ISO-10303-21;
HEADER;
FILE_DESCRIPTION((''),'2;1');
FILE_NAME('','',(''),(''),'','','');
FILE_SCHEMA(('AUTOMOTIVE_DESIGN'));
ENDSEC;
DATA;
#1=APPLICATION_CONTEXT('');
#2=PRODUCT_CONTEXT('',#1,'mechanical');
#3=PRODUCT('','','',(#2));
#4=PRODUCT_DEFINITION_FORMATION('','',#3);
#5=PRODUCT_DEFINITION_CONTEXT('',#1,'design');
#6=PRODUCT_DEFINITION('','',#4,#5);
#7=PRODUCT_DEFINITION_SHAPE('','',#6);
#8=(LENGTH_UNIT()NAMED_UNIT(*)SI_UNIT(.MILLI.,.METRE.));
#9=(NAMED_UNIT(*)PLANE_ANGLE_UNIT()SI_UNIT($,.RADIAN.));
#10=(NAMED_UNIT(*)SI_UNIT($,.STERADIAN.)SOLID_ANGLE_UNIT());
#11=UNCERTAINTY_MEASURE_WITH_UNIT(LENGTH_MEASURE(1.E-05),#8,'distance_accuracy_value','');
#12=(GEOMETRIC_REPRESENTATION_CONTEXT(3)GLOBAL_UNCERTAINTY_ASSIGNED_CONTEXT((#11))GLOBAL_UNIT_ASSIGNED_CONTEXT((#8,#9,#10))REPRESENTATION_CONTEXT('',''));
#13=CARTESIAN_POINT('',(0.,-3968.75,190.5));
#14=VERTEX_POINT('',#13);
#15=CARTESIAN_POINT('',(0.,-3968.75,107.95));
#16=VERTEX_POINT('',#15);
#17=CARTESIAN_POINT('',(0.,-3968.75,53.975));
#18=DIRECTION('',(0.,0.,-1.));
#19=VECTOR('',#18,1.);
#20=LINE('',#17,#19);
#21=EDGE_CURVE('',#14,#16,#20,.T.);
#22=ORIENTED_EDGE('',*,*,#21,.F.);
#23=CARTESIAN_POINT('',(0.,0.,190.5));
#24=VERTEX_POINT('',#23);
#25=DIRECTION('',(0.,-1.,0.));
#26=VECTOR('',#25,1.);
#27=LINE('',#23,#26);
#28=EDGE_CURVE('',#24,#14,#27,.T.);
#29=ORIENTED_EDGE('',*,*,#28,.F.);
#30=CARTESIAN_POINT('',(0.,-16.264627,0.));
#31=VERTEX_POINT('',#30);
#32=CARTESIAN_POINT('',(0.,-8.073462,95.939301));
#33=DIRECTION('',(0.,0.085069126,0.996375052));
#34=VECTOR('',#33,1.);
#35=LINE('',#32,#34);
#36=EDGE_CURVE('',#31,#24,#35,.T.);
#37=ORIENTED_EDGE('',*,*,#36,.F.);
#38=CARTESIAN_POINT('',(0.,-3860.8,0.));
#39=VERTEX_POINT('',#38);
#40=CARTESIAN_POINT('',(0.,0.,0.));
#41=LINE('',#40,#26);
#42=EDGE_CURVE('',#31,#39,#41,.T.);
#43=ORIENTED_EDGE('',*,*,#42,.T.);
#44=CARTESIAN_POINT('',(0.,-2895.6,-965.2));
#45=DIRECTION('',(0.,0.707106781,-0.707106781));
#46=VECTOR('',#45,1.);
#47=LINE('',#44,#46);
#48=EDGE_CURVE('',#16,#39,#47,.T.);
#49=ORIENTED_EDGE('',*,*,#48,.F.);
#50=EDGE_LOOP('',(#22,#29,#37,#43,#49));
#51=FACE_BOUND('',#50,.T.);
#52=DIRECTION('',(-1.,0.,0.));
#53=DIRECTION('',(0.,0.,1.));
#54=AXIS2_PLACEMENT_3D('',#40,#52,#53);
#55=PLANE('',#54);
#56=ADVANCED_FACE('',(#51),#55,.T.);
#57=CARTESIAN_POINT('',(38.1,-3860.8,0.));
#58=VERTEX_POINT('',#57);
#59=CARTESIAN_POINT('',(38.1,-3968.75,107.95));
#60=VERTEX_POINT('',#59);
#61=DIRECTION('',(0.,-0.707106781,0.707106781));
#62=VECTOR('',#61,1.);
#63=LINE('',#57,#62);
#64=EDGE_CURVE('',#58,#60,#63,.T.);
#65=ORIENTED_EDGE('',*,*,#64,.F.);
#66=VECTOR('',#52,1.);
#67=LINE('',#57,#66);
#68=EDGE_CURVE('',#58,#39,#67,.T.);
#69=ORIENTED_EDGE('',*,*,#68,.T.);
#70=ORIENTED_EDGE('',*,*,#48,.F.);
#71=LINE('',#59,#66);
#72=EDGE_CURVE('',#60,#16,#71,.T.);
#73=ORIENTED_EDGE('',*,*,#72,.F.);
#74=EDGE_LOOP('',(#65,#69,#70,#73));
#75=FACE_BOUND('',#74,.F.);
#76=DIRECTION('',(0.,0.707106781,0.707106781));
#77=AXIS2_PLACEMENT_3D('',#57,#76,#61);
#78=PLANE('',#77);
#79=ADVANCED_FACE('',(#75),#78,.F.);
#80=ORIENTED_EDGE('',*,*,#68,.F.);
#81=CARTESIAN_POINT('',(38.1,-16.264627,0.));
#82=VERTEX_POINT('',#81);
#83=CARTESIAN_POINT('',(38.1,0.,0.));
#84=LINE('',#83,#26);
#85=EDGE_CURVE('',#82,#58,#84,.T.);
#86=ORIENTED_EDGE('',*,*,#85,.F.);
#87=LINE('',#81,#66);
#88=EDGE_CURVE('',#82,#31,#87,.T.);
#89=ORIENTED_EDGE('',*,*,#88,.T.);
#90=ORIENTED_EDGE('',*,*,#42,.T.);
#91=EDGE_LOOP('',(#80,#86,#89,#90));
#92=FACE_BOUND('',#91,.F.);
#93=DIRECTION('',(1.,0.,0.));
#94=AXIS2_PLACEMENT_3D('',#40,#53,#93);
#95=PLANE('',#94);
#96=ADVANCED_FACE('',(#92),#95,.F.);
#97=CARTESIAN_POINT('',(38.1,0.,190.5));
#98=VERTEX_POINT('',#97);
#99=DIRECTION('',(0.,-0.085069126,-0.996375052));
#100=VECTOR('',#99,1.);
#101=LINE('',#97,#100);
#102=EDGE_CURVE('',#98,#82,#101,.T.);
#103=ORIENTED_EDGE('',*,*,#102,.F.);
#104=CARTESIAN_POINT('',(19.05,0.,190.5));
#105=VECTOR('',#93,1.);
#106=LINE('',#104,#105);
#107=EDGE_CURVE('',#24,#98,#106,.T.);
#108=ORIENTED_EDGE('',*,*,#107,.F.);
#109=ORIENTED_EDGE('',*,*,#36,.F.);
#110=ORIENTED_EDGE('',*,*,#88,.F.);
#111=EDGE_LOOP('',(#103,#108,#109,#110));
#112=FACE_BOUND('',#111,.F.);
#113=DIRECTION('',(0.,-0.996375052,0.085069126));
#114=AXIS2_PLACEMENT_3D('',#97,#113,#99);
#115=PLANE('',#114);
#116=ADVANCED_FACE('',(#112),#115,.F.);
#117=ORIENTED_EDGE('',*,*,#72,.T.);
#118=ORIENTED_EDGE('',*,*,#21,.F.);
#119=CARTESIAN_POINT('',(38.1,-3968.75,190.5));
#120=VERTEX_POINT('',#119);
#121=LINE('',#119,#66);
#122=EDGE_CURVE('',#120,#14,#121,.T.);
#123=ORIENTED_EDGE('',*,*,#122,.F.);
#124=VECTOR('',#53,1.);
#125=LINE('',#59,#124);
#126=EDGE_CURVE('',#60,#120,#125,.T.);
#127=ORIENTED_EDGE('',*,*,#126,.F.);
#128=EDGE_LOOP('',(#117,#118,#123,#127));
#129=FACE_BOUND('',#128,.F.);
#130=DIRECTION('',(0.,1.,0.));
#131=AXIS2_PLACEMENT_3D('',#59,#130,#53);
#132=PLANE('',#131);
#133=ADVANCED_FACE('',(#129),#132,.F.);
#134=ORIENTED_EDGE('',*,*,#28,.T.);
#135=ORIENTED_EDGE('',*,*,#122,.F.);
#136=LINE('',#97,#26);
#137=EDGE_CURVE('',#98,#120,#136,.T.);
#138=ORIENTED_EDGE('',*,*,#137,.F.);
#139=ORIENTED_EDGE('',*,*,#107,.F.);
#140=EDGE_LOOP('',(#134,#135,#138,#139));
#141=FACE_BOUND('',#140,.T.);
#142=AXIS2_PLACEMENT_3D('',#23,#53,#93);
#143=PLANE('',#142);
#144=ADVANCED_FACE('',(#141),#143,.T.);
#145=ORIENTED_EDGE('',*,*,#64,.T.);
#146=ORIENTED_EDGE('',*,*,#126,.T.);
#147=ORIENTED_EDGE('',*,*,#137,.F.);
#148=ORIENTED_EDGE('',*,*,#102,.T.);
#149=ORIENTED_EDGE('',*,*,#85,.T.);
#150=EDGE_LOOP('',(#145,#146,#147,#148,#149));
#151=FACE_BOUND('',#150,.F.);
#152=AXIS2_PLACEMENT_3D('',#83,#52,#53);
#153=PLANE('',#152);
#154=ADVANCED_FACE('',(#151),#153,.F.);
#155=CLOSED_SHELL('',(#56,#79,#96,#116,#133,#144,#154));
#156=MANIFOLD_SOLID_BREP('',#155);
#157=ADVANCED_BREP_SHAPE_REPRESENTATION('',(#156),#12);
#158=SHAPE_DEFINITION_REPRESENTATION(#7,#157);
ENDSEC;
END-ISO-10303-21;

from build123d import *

# Parameters (mm, degrees)
F0_W     = 38.1
F0_H     = 190.5
F1_DEPTH = 4267.2
F3_DEPTH = 38.101
F5_DEPTH = 38.101


with BuildPart() as f1:
    # F0 (on Front) → F1 (new body)
    with BuildSketch(Plane.XZ):
        with Locations((19.05, 95.25)):
            Rectangle(F0_W, F0_H)
    extrude(amount=F1_DEPTH)

    # F2 (on face) → F3 (cut, through all)
    with BuildSketch(Plane.YZ.offset(38.1)):
        Polygon((0, 0), (0, 190.5), (-16.264627, 0), align=None)
    extrude(amount=-F3_DEPTH, mode=Mode.SUBTRACT)

    # F4 (on face) → F5 (cut, through all)
    with BuildSketch(Plane.YZ.offset(38.1)):
        Polygon((-3968.75, 107.95), (-3968.75, 190.5), (-4267.2, 190.5), (-4267.2, 0), (-3860.8, 0), align=None)
    extrude(amount=-F5_DEPTH, mode=Mode.SUBTRACT)


solid = f1.part
